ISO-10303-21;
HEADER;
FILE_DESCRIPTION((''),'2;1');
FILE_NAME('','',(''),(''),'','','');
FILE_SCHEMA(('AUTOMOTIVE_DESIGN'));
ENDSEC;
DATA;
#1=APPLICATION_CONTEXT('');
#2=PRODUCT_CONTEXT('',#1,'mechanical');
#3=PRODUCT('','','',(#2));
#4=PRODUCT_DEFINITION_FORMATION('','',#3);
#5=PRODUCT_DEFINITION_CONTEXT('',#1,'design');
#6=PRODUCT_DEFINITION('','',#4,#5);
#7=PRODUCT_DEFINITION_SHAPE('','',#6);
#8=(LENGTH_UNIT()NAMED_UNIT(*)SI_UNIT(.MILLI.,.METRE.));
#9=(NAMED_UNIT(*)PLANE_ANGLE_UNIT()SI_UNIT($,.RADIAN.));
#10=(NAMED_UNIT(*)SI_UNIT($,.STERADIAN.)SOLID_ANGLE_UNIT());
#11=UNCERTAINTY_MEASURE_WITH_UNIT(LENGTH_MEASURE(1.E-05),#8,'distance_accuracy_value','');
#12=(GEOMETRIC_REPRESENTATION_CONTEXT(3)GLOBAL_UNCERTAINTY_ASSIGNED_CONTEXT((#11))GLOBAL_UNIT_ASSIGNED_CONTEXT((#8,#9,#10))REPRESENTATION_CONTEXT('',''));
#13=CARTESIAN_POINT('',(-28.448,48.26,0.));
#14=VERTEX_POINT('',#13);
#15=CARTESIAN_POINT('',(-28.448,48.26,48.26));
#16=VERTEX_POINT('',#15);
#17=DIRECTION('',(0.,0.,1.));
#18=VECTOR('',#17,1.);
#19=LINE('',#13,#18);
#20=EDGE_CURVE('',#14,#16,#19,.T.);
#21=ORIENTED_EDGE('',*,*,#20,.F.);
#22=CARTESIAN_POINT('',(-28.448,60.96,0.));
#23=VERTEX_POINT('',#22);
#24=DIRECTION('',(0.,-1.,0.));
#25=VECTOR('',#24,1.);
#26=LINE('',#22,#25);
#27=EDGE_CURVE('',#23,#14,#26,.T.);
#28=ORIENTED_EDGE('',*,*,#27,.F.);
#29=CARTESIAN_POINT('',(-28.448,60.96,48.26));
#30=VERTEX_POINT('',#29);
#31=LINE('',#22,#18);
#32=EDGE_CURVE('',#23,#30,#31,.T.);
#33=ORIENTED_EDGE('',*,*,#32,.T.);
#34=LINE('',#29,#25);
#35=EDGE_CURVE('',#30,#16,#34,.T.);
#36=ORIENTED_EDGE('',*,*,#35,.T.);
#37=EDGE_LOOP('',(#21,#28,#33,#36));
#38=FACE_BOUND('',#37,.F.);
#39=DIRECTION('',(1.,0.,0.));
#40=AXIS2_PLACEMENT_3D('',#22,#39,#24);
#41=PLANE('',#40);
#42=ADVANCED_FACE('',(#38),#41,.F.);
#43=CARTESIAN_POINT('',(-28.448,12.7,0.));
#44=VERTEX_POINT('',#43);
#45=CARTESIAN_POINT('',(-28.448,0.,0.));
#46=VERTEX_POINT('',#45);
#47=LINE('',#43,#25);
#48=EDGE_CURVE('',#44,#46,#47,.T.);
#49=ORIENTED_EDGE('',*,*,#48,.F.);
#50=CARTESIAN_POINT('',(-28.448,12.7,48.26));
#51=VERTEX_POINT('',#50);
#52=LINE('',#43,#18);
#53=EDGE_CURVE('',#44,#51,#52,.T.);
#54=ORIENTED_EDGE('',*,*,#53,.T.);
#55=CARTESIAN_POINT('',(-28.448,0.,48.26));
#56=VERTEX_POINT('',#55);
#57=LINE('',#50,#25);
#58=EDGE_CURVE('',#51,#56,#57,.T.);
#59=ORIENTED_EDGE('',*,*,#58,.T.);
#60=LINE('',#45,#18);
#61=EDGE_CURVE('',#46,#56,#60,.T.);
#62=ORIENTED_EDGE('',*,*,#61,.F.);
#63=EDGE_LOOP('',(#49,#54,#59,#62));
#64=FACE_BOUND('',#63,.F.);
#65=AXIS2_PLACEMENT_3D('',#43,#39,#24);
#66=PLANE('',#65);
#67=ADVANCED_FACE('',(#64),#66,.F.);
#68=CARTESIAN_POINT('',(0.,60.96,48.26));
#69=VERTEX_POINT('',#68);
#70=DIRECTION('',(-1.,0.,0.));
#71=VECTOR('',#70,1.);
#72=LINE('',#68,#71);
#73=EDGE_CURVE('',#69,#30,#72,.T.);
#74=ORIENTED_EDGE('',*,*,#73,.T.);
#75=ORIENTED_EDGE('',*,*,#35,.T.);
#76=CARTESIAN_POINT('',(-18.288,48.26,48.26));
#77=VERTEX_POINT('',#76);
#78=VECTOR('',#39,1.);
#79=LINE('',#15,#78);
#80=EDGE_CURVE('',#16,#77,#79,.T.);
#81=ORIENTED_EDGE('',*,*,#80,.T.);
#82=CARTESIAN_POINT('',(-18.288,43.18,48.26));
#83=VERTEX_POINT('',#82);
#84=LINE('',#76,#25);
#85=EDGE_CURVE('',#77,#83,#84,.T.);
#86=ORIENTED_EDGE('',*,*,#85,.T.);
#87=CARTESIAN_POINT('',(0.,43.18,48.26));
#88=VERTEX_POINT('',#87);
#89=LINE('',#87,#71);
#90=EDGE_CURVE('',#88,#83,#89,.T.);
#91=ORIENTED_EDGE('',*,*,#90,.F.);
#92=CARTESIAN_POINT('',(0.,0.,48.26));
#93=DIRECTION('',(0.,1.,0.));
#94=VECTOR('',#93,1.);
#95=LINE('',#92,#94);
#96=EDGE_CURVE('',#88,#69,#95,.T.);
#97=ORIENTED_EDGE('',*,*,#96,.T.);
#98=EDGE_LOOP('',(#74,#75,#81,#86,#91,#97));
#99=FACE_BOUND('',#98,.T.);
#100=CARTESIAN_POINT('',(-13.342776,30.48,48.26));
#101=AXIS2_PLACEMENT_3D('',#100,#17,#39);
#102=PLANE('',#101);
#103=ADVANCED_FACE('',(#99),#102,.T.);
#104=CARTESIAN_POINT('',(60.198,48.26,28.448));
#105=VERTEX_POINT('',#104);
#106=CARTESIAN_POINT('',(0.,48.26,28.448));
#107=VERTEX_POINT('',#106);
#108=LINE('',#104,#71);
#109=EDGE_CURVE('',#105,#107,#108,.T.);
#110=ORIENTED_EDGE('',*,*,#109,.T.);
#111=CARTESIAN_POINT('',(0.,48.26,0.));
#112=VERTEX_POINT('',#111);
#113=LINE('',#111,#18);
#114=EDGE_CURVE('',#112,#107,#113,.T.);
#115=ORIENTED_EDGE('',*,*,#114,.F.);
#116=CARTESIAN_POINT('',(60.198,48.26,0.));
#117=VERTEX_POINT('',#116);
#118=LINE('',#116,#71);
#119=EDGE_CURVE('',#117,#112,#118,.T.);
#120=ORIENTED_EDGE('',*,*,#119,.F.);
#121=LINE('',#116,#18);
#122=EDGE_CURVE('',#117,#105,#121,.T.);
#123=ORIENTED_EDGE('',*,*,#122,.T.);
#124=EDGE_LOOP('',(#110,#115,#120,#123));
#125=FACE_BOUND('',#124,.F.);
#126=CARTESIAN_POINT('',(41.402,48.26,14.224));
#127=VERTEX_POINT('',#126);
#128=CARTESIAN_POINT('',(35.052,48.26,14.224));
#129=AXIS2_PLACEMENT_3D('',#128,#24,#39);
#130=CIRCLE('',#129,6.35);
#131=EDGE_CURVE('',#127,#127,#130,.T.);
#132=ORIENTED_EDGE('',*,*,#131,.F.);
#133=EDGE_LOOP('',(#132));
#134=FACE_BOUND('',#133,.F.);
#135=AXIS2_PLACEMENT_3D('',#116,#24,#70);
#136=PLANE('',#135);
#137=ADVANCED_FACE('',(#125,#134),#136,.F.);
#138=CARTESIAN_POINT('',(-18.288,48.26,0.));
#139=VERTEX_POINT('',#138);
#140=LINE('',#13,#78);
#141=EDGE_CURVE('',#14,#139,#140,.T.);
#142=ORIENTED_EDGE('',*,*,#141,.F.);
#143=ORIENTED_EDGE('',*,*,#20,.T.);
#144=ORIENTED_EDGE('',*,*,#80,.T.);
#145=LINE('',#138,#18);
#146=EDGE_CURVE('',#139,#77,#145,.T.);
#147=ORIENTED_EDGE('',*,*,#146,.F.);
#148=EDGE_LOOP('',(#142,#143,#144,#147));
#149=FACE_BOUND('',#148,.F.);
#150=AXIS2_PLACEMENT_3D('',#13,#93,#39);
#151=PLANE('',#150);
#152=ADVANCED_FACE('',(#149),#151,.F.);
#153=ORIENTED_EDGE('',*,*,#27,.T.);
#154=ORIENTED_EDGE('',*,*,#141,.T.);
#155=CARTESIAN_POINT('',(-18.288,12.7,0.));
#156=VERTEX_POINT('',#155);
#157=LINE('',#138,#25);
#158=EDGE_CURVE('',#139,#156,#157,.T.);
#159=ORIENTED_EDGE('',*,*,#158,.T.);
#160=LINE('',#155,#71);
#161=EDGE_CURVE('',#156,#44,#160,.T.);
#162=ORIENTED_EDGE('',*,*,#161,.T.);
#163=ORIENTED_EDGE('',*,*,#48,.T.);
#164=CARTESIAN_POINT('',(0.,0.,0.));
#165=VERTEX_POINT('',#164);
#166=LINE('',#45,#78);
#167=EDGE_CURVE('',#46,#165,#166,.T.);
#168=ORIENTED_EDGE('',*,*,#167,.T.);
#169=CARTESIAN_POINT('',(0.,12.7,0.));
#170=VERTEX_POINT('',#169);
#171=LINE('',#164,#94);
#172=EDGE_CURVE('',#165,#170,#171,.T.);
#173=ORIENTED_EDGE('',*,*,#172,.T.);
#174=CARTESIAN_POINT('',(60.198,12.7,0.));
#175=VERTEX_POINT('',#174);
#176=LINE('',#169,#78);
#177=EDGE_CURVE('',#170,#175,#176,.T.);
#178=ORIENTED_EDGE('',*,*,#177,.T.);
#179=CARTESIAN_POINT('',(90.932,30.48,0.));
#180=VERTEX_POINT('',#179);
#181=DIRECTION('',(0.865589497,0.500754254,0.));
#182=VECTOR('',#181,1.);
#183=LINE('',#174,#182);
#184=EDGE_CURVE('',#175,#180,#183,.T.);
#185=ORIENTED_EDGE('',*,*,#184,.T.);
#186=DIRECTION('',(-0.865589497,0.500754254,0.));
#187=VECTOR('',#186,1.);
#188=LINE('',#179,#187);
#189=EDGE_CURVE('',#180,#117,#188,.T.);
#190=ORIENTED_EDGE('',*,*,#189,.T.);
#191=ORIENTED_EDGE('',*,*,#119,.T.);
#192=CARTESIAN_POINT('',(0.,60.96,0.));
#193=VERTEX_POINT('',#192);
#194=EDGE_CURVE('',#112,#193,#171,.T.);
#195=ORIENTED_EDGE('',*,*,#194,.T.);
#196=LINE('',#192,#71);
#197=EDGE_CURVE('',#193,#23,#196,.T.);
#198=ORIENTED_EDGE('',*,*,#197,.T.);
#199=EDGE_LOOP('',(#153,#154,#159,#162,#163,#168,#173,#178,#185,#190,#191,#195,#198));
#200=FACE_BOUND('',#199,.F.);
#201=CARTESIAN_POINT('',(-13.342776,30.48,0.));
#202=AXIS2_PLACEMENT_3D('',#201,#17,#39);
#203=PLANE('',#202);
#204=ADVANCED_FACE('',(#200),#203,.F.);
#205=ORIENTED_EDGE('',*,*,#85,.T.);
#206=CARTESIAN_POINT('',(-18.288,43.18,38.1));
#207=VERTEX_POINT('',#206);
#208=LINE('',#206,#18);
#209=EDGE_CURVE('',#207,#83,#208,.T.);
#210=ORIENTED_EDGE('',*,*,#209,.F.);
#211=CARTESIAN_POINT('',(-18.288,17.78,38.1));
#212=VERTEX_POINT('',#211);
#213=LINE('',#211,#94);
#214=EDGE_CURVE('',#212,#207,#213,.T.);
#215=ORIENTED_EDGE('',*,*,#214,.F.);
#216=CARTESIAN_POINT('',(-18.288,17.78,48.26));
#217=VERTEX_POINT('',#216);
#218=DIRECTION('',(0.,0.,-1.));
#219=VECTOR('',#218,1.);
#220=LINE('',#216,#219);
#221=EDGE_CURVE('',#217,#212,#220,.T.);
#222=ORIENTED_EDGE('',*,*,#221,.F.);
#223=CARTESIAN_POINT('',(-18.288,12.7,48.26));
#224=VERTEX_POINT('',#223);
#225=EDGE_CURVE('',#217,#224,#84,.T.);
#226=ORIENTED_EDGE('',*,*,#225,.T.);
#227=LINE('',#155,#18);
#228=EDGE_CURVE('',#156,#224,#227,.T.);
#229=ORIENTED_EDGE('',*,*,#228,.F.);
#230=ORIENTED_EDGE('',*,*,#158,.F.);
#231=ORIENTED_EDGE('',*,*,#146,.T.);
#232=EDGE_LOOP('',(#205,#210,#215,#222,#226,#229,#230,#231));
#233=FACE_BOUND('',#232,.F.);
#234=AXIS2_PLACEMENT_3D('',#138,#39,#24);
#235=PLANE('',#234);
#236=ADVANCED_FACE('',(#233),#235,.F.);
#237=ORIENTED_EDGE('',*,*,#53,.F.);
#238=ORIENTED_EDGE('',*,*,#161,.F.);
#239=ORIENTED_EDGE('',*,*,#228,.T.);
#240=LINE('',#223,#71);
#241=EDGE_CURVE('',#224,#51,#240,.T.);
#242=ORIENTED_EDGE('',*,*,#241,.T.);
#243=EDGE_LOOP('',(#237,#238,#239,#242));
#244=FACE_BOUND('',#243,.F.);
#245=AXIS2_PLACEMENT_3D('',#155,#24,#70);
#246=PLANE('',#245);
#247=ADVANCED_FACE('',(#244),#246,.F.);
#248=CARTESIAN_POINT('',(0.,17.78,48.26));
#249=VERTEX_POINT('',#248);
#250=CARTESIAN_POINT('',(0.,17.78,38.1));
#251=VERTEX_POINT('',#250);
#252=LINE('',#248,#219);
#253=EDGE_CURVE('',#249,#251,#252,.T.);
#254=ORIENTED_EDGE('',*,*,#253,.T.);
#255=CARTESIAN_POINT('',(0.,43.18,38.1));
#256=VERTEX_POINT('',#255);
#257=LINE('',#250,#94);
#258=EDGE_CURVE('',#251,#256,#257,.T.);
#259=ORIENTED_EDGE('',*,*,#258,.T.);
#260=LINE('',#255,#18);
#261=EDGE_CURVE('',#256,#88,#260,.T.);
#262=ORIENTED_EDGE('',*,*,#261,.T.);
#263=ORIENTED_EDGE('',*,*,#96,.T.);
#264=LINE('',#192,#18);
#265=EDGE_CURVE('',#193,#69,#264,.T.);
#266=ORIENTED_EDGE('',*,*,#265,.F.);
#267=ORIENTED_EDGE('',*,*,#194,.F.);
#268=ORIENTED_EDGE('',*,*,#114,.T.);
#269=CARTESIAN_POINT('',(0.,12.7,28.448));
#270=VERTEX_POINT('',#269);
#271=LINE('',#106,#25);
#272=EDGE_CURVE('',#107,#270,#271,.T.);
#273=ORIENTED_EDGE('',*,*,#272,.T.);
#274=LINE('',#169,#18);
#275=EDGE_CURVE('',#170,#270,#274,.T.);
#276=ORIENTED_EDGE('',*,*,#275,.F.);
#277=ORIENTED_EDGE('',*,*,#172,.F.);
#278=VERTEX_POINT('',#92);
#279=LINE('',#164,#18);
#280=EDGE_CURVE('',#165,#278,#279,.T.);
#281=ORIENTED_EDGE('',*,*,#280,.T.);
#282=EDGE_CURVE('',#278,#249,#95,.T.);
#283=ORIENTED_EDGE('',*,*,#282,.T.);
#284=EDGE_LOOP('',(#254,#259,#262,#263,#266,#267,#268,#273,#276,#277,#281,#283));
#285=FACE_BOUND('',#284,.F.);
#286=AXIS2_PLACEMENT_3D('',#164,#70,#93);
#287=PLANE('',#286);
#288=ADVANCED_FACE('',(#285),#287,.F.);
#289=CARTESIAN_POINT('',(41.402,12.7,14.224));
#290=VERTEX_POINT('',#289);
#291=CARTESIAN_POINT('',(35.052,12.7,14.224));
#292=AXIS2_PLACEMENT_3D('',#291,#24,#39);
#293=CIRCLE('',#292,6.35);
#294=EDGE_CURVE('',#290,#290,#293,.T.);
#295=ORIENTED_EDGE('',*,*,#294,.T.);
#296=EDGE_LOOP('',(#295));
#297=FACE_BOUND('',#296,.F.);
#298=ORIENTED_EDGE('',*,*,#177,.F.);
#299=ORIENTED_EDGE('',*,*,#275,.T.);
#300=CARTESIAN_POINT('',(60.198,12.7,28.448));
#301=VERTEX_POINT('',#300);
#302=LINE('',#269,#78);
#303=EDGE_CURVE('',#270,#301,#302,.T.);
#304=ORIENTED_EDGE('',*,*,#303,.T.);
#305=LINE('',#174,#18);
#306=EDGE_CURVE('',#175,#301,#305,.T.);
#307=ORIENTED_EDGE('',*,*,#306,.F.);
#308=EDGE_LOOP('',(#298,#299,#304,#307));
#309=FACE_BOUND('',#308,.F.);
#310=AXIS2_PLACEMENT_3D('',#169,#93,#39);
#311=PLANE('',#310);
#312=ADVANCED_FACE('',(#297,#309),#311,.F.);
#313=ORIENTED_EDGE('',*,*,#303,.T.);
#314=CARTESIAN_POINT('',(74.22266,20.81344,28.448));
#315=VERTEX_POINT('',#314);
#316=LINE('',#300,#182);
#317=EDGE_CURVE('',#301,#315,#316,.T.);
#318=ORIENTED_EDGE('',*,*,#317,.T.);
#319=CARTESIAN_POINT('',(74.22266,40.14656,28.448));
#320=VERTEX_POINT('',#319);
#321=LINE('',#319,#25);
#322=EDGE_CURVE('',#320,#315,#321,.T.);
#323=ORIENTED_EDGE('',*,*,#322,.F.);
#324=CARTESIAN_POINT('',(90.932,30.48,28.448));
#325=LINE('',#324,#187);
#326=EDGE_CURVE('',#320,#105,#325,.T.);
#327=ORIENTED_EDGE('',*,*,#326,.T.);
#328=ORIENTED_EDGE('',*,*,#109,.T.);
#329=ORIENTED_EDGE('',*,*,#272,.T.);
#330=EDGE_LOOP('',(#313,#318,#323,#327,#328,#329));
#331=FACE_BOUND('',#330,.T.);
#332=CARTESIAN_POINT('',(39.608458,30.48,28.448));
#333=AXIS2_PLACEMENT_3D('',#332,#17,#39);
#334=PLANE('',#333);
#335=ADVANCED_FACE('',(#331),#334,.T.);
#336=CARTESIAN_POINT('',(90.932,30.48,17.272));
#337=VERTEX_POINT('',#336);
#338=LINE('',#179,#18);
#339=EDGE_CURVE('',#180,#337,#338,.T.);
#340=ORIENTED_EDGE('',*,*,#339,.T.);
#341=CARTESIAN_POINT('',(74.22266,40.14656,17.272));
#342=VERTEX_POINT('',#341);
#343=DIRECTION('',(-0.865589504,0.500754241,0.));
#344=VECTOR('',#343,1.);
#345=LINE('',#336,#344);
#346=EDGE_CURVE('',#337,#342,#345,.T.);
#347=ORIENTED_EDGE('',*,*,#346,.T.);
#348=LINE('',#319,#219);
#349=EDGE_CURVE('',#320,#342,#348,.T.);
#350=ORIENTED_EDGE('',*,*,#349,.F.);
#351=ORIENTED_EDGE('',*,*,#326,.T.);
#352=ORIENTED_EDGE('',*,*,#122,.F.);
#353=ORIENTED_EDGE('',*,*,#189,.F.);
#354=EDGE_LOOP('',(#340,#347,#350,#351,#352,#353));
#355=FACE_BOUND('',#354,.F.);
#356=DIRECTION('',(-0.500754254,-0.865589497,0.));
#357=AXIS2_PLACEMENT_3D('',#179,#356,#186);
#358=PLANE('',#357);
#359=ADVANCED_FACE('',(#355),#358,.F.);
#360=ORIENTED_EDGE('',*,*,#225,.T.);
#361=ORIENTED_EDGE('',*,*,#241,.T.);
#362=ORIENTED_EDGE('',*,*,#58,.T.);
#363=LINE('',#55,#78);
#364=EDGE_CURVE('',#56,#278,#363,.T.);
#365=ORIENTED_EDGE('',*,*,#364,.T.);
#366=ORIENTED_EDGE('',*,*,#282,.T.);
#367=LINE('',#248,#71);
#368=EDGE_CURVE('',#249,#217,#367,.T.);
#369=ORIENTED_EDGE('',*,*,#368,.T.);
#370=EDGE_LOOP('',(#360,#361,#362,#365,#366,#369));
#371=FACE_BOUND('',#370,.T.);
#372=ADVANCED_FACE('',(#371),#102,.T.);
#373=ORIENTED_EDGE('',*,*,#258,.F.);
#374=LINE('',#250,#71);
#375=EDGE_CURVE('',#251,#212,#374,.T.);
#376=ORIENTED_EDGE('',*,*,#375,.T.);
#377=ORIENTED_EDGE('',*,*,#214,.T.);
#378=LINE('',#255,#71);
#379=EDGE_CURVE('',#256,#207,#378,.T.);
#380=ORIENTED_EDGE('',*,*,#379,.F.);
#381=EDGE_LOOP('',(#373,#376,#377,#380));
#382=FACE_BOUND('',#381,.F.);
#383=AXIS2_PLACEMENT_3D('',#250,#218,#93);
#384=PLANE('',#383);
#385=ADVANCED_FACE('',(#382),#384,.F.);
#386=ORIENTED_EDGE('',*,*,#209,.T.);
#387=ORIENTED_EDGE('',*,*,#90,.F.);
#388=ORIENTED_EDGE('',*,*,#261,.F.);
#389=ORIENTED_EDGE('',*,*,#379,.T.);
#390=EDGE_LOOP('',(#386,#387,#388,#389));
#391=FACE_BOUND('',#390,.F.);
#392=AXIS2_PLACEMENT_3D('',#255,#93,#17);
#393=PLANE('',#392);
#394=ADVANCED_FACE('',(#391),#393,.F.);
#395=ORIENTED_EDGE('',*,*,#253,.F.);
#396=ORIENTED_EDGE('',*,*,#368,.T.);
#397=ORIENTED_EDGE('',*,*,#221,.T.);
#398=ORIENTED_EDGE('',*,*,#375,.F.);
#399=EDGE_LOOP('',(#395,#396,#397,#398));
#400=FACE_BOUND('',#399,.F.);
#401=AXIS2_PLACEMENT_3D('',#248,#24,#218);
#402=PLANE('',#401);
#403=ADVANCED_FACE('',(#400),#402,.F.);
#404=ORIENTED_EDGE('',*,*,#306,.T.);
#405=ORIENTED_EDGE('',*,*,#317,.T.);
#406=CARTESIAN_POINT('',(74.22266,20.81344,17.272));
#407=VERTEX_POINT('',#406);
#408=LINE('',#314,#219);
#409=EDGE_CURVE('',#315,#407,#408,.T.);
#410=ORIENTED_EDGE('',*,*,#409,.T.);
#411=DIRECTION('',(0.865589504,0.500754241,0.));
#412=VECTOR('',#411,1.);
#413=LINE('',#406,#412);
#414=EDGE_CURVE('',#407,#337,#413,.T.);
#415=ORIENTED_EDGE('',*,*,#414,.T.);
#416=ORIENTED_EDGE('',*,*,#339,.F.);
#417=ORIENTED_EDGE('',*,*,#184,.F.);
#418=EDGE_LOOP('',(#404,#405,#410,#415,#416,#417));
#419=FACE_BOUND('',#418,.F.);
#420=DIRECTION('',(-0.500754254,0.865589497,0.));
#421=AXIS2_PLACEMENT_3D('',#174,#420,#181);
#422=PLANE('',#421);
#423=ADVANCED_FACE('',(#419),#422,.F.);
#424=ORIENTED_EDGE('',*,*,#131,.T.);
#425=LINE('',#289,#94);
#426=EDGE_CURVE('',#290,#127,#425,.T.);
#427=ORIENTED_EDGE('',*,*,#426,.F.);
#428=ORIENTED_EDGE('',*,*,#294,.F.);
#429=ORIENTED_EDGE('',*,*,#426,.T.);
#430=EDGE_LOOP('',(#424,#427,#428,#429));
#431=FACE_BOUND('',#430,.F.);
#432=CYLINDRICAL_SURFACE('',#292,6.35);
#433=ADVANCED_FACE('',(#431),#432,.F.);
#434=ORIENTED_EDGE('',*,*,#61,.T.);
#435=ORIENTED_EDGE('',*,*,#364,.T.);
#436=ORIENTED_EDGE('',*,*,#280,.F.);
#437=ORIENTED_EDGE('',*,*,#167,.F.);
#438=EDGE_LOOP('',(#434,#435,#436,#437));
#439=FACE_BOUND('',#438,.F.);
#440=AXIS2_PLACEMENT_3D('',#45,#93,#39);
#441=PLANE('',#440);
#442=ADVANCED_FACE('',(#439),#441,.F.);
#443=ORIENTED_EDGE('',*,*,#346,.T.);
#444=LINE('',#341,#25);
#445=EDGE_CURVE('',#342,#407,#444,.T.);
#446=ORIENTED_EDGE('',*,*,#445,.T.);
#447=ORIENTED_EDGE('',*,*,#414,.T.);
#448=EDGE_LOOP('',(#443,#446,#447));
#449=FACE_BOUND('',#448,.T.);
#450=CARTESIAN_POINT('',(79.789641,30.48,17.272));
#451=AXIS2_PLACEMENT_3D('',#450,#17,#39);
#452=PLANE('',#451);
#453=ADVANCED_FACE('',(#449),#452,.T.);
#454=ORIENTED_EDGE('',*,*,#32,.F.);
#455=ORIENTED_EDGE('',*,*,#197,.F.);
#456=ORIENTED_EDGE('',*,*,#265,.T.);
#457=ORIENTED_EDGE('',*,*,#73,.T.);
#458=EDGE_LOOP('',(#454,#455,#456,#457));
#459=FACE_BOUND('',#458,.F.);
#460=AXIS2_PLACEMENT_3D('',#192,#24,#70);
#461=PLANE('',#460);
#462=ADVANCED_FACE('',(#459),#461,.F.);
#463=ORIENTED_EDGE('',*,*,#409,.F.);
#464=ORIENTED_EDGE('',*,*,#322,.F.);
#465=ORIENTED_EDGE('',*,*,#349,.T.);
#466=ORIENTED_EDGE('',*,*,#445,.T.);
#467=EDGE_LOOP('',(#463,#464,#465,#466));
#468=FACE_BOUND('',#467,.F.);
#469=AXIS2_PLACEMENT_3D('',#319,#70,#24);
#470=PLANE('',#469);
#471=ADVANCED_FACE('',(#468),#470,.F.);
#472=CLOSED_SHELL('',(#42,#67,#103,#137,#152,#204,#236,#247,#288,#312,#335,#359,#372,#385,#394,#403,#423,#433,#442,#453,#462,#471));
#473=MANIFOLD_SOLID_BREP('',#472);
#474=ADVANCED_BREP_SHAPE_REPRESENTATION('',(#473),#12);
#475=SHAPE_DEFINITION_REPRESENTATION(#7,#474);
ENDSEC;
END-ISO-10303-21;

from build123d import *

# Parameters (mm, degrees)
F1_DEPTH = 48.26
F3_DEPTH = 18.288
F5_DEPTH = 28.448
F7_DEPTH = 11.176
F8_R     = 6.35
F9_DEPTH = 35.56


with BuildPart() as f1:
    # F0 (on Top) → F1 (new body)
    with BuildSketch(Plane.XY):
        Polygon((-28.448, 0), (0, 0), (0, 30.48), (0, 60.96), (-28.448, 60.96), (-28.448, 48.26), (-18.288, 48.26), (-18.288, 43.18), (-18.288, 30.48), (-18.288, 17.78), (-18.288, 12.7), (-28.448, 12.7), align=None)
    extrude(amount=F1_DEPTH)

    # F2 (on face) → F3 (cut, through all)
    with BuildSketch(Plane.YZ):
        Polygon((17.78, 38.1), (30.48, 38.1), (43.18, 38.1), (43.18, 48.26), (17.78, 48.26), align=None)
    extrude(amount=-F3_DEPTH, mode=Mode.SUBTRACT)

    # F4 (on Top) → F5 (join)
    with BuildSketch(Plane.XY):
        Polygon((0, 30.48), (0, 12.7), (60.198, 12.7), (90.932, 30.48), (60.198, 48.26), (0, 48.26), align=None)
    extrude(amount=F5_DEPTH)

    # F6 (on face) → F7 (cut)
    with BuildSketch(Plane.XY.offset(28.448)):
        Polygon((74.22266, 20.81344), (90.932, 30.48), (74.22266, 40.14656), align=None)
    extrude(amount=-F7_DEPTH, mode=Mode.SUBTRACT)

    # F8 (on face) → F9 (cut, through all)
    with BuildSketch(Plane.XZ.offset(-12.7)):
        with Locations((35.052, 14.224)):
            Circle(F8_R)
    extrude(amount=-F9_DEPTH, mode=Mode.SUBTRACT)


solid = f1.part
